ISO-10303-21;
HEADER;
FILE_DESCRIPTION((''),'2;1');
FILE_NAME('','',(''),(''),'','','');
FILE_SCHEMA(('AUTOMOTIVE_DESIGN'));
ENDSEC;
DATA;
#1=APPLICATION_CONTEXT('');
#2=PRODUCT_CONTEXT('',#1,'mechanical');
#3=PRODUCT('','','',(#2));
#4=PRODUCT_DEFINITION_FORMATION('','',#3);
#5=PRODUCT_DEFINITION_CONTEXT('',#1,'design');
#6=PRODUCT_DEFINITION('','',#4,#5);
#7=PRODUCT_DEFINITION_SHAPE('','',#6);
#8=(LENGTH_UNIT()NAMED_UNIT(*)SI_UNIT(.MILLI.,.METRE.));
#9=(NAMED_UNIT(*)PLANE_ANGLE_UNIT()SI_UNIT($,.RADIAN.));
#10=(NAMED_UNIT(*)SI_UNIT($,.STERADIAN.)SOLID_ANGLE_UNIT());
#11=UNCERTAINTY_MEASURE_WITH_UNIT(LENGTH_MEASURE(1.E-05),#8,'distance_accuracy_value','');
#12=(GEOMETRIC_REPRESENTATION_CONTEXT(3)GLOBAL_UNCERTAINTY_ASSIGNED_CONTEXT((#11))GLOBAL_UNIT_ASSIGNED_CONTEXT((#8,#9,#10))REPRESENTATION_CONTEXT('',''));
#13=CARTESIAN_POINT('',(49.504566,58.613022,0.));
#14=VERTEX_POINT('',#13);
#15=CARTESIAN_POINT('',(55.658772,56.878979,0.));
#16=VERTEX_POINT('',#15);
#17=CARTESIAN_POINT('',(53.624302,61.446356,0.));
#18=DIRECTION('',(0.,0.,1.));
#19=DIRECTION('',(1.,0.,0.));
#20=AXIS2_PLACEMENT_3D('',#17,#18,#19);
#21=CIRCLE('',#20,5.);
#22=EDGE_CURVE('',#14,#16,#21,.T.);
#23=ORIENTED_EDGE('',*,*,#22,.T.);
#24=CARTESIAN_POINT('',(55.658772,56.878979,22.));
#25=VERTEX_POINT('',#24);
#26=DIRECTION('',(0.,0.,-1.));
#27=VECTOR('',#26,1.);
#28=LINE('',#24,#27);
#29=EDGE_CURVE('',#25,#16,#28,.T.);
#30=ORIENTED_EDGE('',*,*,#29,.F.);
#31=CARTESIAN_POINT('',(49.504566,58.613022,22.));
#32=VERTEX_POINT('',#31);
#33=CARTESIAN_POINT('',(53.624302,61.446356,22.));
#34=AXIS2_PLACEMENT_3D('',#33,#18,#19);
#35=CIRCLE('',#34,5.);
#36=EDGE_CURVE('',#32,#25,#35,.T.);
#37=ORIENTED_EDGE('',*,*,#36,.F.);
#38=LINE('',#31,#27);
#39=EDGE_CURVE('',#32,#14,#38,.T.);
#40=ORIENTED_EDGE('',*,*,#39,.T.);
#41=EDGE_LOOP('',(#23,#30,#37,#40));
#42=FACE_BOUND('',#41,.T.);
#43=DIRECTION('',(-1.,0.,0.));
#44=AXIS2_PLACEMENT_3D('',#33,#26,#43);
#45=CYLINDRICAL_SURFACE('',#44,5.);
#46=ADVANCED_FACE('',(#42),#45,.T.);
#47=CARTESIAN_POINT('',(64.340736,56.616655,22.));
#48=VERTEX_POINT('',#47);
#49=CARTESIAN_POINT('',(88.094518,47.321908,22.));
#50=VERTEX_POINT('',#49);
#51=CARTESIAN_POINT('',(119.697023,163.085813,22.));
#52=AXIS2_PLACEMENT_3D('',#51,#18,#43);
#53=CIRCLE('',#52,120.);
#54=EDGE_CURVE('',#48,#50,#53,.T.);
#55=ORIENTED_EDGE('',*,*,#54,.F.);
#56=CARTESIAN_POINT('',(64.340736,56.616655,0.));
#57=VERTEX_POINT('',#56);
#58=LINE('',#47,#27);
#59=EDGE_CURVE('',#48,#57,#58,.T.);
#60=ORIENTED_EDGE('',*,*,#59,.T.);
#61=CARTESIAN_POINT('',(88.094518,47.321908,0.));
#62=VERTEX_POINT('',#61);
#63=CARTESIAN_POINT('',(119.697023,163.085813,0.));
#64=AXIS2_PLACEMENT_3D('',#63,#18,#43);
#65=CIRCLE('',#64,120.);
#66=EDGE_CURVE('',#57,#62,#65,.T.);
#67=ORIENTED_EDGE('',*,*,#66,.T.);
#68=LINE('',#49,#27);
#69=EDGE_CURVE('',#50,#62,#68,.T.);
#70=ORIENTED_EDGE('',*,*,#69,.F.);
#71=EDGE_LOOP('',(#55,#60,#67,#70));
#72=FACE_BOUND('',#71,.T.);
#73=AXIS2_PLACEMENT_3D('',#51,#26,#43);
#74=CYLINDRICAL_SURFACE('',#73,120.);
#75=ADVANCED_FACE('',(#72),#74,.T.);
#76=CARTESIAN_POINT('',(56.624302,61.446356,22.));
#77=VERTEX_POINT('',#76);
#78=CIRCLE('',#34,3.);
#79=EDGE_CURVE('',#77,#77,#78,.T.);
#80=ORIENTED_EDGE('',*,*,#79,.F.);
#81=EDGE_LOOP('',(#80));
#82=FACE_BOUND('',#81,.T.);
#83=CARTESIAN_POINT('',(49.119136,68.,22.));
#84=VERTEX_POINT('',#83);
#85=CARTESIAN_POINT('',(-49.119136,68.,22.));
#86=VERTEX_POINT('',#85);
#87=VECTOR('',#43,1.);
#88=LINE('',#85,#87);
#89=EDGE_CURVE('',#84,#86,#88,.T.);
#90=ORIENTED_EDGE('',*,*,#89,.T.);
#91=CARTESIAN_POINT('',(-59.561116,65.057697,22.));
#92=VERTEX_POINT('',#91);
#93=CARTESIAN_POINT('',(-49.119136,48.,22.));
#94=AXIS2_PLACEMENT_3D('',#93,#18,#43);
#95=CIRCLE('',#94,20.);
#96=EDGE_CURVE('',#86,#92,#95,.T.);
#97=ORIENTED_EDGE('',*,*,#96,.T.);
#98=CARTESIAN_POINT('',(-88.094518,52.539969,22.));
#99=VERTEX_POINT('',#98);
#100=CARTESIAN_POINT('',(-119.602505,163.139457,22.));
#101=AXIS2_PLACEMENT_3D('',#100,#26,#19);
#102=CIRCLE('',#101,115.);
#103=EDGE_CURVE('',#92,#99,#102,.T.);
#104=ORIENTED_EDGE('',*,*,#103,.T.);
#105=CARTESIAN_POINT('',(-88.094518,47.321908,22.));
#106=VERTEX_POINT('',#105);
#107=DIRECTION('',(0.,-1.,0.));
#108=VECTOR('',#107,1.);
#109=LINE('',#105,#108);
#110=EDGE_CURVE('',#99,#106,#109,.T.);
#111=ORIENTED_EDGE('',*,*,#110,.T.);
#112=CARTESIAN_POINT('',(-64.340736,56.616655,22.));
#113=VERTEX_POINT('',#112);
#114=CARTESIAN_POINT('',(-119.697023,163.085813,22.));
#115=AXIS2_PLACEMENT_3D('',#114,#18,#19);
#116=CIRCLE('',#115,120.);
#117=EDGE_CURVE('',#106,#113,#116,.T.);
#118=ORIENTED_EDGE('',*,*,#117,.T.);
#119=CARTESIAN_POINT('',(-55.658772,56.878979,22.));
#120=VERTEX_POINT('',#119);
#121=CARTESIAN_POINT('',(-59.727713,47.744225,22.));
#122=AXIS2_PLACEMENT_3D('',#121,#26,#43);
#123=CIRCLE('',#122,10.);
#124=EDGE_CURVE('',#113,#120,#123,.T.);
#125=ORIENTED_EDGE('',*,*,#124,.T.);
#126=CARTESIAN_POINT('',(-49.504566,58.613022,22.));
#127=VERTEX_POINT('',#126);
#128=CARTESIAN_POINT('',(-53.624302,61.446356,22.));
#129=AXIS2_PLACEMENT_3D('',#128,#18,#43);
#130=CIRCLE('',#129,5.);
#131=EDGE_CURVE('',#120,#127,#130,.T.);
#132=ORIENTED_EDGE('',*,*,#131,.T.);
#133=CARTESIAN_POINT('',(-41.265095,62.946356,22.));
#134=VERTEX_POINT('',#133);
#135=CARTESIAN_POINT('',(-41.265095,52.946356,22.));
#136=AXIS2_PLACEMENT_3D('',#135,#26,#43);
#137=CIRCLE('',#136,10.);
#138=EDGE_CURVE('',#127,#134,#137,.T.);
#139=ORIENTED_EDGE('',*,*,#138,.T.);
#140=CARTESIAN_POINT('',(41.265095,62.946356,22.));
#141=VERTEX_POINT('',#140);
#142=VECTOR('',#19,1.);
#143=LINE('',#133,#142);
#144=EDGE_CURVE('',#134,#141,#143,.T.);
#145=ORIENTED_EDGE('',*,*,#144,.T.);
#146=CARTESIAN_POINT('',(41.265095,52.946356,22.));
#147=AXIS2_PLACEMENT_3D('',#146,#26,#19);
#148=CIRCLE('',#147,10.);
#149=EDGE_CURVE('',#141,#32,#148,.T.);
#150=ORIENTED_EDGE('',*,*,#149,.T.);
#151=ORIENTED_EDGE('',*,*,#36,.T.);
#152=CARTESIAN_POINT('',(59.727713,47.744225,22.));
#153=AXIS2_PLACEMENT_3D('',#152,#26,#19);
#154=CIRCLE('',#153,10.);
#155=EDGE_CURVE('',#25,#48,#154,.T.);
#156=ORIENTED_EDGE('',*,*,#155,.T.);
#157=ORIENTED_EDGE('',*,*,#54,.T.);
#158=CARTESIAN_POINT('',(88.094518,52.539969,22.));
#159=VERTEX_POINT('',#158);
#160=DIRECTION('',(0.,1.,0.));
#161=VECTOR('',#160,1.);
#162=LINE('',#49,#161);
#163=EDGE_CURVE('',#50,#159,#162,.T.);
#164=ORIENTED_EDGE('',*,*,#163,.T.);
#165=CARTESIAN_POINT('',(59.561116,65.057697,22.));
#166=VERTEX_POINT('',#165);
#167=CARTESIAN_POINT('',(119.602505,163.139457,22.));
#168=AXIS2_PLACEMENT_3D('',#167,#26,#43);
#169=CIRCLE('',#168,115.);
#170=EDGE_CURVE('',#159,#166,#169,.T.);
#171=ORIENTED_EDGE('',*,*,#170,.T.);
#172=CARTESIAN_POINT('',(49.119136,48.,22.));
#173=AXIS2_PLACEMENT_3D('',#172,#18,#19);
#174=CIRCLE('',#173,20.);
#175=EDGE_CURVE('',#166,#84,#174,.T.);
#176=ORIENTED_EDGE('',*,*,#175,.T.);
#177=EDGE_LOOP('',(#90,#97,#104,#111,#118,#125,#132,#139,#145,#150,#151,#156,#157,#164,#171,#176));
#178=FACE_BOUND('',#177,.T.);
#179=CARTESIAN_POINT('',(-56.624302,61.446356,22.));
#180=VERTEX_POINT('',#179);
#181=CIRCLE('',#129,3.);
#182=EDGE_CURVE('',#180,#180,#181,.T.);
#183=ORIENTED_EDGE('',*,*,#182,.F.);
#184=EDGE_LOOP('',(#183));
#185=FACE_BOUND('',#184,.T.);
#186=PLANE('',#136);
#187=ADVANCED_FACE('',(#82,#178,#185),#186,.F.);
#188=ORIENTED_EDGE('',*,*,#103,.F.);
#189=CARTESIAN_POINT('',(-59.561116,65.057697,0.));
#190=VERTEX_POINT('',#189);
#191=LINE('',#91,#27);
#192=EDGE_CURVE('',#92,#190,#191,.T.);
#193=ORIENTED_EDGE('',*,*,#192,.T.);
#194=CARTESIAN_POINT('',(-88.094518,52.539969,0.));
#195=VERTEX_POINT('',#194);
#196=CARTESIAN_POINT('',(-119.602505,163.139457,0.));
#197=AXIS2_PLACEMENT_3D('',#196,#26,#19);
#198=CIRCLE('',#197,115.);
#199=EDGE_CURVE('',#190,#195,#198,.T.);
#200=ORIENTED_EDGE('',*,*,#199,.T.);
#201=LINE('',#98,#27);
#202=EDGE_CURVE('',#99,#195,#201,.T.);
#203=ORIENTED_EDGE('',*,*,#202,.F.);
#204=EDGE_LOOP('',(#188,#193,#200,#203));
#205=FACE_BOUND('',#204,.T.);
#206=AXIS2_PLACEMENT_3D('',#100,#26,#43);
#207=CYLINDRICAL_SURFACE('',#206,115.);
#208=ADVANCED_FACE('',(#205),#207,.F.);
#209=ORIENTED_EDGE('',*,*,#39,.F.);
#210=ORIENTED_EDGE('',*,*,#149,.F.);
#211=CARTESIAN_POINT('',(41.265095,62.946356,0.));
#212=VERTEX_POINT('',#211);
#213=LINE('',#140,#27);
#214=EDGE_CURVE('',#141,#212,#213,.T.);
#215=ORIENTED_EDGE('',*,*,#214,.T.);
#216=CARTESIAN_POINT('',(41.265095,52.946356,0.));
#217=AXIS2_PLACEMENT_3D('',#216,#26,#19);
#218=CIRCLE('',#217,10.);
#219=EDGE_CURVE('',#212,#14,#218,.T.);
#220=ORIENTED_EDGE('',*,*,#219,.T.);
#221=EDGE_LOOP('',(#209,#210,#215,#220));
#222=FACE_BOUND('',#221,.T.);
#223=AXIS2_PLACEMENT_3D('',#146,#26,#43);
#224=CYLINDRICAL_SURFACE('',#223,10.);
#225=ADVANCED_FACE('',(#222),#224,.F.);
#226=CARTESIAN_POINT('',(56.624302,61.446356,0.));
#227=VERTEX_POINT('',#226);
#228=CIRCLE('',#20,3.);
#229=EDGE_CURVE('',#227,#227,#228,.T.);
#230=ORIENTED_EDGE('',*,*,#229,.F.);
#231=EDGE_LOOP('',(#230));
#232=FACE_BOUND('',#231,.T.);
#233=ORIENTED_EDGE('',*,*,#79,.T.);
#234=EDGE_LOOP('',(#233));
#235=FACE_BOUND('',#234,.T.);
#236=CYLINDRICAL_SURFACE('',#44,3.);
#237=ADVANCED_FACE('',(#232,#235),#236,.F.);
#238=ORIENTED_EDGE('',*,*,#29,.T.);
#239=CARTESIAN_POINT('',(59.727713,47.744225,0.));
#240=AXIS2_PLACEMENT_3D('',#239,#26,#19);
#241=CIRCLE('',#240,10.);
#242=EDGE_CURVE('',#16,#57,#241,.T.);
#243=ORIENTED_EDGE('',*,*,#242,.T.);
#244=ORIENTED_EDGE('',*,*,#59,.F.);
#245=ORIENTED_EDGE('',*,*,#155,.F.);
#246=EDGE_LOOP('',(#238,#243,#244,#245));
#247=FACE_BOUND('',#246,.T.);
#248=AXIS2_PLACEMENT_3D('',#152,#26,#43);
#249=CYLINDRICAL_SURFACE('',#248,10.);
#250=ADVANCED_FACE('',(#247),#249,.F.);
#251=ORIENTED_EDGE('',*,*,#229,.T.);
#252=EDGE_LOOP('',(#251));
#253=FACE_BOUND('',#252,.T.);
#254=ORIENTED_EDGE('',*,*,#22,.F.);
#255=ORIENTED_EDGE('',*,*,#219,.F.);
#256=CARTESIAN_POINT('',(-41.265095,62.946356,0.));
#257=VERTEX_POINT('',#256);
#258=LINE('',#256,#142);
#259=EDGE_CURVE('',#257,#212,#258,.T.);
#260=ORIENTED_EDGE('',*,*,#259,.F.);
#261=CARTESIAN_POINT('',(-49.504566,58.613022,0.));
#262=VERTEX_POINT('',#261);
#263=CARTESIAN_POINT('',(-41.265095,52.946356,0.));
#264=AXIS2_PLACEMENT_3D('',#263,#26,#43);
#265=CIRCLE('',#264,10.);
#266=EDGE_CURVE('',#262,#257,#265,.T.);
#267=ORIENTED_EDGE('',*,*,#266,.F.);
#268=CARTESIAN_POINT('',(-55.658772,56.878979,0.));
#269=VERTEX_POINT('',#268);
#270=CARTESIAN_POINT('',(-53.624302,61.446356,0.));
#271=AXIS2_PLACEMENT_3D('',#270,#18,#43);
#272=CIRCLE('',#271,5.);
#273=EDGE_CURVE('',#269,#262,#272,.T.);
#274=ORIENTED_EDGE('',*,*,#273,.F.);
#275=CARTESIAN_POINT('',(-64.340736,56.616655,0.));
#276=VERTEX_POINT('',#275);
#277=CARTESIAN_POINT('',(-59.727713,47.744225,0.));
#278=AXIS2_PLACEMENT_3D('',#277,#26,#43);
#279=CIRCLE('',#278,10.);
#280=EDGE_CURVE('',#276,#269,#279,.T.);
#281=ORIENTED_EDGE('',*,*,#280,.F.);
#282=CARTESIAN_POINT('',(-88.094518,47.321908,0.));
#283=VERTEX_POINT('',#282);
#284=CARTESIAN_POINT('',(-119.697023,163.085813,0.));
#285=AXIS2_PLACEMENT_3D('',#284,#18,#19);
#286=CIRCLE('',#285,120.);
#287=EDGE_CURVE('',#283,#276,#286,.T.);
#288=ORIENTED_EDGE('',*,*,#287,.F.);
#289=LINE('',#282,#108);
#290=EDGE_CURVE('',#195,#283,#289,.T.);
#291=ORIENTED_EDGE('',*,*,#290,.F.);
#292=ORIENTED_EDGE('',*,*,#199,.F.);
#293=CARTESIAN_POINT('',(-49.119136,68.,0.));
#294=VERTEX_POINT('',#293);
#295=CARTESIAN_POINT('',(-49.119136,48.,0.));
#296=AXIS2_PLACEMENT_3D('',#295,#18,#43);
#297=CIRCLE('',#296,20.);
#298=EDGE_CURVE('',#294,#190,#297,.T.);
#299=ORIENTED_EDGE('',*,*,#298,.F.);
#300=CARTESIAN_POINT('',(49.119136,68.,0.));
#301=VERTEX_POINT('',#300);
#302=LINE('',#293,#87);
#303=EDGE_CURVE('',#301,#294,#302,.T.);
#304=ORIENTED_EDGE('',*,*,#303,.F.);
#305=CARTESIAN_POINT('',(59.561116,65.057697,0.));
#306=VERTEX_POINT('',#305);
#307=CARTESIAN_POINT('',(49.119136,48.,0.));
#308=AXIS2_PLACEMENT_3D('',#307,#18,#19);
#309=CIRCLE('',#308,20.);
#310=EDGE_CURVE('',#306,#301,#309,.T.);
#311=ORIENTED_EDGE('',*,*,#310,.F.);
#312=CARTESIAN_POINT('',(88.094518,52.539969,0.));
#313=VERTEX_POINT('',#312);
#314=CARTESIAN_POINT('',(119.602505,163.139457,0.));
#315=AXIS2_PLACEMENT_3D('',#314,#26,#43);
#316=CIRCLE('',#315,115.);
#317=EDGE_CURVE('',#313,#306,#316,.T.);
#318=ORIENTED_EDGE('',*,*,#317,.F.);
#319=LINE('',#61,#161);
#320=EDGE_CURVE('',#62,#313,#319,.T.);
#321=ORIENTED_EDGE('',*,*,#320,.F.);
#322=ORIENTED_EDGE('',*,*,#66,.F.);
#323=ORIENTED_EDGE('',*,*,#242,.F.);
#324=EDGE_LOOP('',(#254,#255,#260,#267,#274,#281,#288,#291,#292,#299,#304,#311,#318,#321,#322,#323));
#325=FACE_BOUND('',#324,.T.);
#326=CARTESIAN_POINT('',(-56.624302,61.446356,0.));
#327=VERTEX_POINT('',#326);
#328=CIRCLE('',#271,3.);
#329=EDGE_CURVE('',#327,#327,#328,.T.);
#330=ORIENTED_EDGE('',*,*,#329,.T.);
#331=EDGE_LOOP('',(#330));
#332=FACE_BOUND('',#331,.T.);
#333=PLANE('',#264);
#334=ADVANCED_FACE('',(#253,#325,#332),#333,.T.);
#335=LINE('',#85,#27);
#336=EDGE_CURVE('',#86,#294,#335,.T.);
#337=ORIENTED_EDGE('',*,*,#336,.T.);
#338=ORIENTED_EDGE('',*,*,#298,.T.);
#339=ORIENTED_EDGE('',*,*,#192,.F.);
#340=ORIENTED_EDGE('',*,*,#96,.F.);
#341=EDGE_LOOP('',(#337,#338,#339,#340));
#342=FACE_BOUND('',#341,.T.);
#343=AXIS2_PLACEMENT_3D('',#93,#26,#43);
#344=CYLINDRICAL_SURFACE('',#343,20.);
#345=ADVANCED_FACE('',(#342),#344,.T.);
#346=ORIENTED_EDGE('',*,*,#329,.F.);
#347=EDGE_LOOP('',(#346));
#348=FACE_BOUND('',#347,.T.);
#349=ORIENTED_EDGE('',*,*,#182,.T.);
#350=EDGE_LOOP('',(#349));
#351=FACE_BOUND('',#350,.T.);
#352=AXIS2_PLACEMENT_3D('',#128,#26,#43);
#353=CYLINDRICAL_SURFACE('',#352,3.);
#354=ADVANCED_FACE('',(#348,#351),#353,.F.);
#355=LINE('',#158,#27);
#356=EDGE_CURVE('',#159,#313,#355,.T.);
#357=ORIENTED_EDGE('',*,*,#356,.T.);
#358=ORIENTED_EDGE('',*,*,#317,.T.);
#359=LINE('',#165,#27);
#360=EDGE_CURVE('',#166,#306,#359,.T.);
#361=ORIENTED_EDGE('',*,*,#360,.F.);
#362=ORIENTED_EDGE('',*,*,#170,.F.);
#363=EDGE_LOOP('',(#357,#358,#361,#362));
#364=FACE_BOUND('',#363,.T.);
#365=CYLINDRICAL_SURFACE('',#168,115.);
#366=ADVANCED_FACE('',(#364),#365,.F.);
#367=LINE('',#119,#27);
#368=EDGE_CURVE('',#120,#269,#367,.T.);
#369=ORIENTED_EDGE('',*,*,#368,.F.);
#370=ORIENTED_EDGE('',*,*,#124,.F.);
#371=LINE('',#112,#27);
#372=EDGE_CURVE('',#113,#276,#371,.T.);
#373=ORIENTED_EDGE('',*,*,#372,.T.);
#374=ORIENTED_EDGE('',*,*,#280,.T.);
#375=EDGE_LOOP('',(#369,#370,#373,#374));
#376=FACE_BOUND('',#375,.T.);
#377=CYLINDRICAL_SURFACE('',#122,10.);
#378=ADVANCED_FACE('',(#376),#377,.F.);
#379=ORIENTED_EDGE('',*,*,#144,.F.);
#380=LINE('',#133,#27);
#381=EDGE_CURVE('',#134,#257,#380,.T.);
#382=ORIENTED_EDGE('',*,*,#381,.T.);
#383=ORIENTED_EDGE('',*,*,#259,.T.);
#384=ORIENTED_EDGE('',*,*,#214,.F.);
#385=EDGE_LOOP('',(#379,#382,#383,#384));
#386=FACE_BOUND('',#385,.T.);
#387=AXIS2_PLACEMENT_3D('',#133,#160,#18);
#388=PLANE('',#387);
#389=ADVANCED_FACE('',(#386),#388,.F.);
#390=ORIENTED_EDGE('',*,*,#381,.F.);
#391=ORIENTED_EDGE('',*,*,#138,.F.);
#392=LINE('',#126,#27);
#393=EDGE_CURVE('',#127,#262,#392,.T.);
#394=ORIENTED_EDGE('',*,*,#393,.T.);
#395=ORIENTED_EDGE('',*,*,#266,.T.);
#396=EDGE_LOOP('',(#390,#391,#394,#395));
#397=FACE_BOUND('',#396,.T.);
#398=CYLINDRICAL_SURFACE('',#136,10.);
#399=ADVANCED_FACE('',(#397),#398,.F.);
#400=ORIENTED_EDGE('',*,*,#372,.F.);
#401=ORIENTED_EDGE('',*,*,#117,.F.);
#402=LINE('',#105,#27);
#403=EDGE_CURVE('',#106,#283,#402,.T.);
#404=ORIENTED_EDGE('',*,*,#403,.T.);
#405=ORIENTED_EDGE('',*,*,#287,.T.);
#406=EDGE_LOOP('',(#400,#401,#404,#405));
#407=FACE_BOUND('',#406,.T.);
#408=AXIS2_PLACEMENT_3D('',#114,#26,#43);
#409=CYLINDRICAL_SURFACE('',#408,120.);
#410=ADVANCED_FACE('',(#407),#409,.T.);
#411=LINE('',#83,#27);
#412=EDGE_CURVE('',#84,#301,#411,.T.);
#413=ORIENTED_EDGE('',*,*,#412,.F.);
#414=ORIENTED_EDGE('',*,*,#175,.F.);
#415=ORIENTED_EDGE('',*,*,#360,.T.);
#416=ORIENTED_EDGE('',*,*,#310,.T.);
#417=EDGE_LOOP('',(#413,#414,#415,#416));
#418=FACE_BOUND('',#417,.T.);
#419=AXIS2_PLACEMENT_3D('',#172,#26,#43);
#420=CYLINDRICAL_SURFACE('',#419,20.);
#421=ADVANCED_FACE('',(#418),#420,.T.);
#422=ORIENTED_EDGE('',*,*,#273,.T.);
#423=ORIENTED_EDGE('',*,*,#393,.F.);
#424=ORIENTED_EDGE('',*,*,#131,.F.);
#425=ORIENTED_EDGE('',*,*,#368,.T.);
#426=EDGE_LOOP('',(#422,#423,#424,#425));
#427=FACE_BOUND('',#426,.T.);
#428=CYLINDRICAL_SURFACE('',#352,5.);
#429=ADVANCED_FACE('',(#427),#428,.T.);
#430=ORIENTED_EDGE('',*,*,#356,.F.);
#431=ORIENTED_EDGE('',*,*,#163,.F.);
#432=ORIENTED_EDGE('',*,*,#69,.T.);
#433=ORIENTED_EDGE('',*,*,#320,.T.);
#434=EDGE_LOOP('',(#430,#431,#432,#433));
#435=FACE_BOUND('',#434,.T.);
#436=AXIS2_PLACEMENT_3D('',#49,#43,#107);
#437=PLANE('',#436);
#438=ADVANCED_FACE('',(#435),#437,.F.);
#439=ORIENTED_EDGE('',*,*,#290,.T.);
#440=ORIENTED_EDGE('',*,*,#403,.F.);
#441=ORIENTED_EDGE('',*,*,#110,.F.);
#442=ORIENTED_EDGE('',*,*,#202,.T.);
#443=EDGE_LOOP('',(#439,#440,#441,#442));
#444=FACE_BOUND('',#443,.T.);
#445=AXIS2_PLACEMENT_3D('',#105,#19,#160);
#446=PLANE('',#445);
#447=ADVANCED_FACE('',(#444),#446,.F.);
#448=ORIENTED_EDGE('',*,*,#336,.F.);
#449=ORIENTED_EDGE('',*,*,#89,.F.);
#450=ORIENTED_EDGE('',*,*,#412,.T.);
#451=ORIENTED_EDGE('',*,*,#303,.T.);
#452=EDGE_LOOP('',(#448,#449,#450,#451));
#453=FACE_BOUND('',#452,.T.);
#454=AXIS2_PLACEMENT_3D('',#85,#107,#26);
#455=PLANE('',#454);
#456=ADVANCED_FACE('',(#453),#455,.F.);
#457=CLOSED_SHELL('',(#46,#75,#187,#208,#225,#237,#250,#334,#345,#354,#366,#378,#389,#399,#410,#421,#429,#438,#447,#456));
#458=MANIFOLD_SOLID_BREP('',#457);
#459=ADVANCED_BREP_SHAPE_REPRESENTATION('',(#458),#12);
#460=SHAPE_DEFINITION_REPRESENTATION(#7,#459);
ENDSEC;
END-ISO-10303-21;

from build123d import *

# Parameters (mm, degrees)
ESBO_O1_R                = 3
RESSALTO_EXTRUS_O1_DEPTH = 22


with BuildPart() as part:
    # Esboço1 → Ressalto-extrusão1 (new body)
    with BuildSketch(Plane.XY):
        with BuildLine():
            Line((-49.119135606, 68), (49.119135606, 68))
            ThreePointArc((49.119135606, 68), (54.543435225, 67.250375935), (59.56111629, 65.057697365))
            ThreePointArc((59.56111629, 65.057697365), (73.40190502, 57.827992781), (88.094517748, 52.539969306))
            Line((88.094517748, 52.539969306), (88.094517748, 47.321908149))
            ThreePointArc((88.094517748, 47.321908149), (75.969961031, 51.336342949), (64.340736461, 56.616655277))
            ThreePointArc((64.340736461, 56.616655277), (60.029722653, 57.739663923), (55.658771962, 56.878979006))
            ThreePointArc((55.658771962, 56.878979006), (52.268274515, 56.633748331), (49.504565952, 58.613022442))
            ThreePointArc((49.504565952, 58.613022442), (45.919841237, 61.796967806), (41.265094556, 62.946355775))
            Line((41.265094556, 62.946355775), (-41.265094556, 62.946355775))
            ThreePointArc((-41.265094556, 62.946355775), (-45.919841237, 61.796967806), (-49.504565952, 58.613022442))
            ThreePointArc((-49.504565952, 58.613022442), (-52.268274515, 56.633748331), (-55.658771962, 56.878979006))
            ThreePointArc((-55.658771962, 56.878979006), (-60.029722653, 57.739663923), (-64.340736461, 56.616655277))
            ThreePointArc((-64.340736461, 56.616655277), (-75.969961031, 51.336342949), (-88.094517748, 47.321908149))
            Line((-88.094517748, 47.321908149), (-88.094517748, 52.539969306))
            ThreePointArc((-88.094517748, 52.539969306), (-73.40190502, 57.827992781), (-59.56111629, 65.057697365))
            ThreePointArc((-59.56111629, 65.057697365), (-54.543435225, 67.250375935), (-49.119135606, 68))
        make_face()
        with Locations((-53.62430165, 61.446355775)):
            Circle(ESBO_O1_R, mode=Mode.SUBTRACT)
        with Locations((53.62430165, 61.446355775)):
            Circle(ESBO_O1_R, mode=Mode.SUBTRACT)
    extrude(amount=RESSALTO_EXTRUS_O1_DEPTH)


solid = part.part
